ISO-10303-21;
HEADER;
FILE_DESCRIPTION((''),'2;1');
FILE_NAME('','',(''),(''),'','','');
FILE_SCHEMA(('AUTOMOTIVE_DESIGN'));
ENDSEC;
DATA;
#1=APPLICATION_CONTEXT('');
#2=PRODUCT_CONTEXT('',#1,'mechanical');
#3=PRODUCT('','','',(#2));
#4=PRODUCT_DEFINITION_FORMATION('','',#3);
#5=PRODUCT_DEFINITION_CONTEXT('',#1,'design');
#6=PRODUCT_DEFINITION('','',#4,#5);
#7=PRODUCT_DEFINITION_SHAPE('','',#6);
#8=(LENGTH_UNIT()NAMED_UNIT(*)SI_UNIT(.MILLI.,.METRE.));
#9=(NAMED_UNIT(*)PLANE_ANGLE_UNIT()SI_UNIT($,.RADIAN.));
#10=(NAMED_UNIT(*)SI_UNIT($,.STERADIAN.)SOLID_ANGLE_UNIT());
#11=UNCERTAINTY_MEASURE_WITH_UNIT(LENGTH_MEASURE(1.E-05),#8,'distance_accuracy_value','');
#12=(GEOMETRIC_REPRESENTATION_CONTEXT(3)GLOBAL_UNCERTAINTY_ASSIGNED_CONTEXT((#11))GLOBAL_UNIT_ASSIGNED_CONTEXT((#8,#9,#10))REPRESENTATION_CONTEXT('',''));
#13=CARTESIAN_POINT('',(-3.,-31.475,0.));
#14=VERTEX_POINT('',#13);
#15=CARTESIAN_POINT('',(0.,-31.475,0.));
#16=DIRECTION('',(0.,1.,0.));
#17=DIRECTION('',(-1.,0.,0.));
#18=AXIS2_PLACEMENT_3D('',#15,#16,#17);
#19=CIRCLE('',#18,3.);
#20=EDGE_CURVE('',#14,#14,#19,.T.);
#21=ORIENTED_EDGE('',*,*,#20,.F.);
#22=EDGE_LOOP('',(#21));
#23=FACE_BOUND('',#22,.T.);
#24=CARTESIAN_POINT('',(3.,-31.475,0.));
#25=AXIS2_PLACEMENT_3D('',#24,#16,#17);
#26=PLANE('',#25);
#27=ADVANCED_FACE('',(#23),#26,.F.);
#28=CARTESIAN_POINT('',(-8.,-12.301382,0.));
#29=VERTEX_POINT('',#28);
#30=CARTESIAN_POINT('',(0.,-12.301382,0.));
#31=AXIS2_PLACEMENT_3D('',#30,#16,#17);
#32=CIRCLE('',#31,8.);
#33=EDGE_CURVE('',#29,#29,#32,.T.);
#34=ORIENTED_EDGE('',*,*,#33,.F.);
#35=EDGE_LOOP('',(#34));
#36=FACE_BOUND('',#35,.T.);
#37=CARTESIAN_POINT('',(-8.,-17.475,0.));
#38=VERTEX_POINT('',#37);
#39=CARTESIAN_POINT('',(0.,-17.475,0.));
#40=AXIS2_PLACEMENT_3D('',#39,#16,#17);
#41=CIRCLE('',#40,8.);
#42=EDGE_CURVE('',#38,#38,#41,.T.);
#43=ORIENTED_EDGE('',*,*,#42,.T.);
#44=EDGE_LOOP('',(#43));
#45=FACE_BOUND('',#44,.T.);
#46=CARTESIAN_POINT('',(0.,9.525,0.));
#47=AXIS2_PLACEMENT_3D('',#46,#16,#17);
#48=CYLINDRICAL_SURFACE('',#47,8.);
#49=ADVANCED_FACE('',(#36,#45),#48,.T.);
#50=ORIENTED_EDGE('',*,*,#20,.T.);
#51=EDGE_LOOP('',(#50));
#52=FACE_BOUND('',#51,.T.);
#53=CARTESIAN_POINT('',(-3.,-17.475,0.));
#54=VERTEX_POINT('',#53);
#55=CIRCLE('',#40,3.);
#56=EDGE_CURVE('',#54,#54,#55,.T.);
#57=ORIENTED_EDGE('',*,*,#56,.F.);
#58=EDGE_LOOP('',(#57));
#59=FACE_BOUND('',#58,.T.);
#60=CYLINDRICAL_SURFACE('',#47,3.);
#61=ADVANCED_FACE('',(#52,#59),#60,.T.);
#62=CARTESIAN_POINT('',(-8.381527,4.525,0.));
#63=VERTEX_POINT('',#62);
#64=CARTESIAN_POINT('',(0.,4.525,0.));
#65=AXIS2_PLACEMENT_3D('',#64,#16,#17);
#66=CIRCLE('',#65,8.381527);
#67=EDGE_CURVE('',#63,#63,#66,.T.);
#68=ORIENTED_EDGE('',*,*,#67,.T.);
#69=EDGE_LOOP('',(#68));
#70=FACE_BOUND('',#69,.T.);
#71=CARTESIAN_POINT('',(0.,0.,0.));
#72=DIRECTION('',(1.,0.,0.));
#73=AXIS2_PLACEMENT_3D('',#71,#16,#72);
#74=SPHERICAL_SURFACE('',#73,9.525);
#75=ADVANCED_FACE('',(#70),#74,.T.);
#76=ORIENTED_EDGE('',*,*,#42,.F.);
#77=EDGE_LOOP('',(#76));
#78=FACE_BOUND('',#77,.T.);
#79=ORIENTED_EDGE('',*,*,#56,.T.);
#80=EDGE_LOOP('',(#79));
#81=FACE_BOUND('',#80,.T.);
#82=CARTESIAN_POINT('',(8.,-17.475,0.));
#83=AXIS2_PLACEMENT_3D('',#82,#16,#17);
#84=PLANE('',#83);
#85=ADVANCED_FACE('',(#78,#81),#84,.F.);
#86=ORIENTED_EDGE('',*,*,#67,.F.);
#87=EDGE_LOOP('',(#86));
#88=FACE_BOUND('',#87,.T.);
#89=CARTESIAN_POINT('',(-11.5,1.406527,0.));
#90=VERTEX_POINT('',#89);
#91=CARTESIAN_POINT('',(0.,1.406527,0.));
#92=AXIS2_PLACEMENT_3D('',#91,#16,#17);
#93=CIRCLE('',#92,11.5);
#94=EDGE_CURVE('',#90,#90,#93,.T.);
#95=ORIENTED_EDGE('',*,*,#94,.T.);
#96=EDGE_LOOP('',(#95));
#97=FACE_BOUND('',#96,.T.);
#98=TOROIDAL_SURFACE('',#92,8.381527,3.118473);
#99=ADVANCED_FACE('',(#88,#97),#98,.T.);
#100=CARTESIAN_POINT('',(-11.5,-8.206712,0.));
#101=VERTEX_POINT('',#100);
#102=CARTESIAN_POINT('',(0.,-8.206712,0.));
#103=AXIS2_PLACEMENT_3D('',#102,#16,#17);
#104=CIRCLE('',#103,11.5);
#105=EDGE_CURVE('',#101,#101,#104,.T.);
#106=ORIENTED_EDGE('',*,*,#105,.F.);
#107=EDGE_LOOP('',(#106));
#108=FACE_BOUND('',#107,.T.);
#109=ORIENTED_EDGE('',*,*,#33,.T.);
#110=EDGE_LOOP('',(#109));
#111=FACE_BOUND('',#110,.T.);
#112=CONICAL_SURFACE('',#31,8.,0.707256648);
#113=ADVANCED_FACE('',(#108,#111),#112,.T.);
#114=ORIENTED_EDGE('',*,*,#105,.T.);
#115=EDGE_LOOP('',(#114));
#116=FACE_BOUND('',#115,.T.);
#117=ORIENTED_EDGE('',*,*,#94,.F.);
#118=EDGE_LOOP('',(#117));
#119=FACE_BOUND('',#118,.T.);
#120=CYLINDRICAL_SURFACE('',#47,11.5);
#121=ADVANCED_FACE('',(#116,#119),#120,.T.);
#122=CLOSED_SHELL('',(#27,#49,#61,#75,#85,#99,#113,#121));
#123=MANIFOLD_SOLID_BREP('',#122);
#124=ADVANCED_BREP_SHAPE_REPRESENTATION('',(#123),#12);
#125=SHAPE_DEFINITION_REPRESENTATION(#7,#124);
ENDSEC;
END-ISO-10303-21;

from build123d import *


with BuildPart() as part:
    # Esquisse1 → Révolution1 (revolve)
    with BuildSketch(Plane.XY):
        with BuildLine():
            Line((11.5, 1.406527307), (11.5, -8.206711775))
            Line((11.5, -8.206711775), (8, -12.301381653))
            Line((8, -12.301381653), (8, -17.475))
            Line((8, -17.475), (3, -17.475))
            Line((3, -17.475), (3, -31.475))
            Line((3, -31.475), (0, -31.475))
            Line((0, -31.475), (0, 9.525))
            ThreePointArc((0, 9.525), (4.879805324, 8.180044315), (8.381527307, 4.525))
            ThreePointArc((8.381527307, 4.525), (10.586620495, 3.611620495), (11.5, 1.406527307))
        make_face()
    revolve(axis=Axis((0, 9.525, 0), (0, -1, 0)))


solid = part.part
